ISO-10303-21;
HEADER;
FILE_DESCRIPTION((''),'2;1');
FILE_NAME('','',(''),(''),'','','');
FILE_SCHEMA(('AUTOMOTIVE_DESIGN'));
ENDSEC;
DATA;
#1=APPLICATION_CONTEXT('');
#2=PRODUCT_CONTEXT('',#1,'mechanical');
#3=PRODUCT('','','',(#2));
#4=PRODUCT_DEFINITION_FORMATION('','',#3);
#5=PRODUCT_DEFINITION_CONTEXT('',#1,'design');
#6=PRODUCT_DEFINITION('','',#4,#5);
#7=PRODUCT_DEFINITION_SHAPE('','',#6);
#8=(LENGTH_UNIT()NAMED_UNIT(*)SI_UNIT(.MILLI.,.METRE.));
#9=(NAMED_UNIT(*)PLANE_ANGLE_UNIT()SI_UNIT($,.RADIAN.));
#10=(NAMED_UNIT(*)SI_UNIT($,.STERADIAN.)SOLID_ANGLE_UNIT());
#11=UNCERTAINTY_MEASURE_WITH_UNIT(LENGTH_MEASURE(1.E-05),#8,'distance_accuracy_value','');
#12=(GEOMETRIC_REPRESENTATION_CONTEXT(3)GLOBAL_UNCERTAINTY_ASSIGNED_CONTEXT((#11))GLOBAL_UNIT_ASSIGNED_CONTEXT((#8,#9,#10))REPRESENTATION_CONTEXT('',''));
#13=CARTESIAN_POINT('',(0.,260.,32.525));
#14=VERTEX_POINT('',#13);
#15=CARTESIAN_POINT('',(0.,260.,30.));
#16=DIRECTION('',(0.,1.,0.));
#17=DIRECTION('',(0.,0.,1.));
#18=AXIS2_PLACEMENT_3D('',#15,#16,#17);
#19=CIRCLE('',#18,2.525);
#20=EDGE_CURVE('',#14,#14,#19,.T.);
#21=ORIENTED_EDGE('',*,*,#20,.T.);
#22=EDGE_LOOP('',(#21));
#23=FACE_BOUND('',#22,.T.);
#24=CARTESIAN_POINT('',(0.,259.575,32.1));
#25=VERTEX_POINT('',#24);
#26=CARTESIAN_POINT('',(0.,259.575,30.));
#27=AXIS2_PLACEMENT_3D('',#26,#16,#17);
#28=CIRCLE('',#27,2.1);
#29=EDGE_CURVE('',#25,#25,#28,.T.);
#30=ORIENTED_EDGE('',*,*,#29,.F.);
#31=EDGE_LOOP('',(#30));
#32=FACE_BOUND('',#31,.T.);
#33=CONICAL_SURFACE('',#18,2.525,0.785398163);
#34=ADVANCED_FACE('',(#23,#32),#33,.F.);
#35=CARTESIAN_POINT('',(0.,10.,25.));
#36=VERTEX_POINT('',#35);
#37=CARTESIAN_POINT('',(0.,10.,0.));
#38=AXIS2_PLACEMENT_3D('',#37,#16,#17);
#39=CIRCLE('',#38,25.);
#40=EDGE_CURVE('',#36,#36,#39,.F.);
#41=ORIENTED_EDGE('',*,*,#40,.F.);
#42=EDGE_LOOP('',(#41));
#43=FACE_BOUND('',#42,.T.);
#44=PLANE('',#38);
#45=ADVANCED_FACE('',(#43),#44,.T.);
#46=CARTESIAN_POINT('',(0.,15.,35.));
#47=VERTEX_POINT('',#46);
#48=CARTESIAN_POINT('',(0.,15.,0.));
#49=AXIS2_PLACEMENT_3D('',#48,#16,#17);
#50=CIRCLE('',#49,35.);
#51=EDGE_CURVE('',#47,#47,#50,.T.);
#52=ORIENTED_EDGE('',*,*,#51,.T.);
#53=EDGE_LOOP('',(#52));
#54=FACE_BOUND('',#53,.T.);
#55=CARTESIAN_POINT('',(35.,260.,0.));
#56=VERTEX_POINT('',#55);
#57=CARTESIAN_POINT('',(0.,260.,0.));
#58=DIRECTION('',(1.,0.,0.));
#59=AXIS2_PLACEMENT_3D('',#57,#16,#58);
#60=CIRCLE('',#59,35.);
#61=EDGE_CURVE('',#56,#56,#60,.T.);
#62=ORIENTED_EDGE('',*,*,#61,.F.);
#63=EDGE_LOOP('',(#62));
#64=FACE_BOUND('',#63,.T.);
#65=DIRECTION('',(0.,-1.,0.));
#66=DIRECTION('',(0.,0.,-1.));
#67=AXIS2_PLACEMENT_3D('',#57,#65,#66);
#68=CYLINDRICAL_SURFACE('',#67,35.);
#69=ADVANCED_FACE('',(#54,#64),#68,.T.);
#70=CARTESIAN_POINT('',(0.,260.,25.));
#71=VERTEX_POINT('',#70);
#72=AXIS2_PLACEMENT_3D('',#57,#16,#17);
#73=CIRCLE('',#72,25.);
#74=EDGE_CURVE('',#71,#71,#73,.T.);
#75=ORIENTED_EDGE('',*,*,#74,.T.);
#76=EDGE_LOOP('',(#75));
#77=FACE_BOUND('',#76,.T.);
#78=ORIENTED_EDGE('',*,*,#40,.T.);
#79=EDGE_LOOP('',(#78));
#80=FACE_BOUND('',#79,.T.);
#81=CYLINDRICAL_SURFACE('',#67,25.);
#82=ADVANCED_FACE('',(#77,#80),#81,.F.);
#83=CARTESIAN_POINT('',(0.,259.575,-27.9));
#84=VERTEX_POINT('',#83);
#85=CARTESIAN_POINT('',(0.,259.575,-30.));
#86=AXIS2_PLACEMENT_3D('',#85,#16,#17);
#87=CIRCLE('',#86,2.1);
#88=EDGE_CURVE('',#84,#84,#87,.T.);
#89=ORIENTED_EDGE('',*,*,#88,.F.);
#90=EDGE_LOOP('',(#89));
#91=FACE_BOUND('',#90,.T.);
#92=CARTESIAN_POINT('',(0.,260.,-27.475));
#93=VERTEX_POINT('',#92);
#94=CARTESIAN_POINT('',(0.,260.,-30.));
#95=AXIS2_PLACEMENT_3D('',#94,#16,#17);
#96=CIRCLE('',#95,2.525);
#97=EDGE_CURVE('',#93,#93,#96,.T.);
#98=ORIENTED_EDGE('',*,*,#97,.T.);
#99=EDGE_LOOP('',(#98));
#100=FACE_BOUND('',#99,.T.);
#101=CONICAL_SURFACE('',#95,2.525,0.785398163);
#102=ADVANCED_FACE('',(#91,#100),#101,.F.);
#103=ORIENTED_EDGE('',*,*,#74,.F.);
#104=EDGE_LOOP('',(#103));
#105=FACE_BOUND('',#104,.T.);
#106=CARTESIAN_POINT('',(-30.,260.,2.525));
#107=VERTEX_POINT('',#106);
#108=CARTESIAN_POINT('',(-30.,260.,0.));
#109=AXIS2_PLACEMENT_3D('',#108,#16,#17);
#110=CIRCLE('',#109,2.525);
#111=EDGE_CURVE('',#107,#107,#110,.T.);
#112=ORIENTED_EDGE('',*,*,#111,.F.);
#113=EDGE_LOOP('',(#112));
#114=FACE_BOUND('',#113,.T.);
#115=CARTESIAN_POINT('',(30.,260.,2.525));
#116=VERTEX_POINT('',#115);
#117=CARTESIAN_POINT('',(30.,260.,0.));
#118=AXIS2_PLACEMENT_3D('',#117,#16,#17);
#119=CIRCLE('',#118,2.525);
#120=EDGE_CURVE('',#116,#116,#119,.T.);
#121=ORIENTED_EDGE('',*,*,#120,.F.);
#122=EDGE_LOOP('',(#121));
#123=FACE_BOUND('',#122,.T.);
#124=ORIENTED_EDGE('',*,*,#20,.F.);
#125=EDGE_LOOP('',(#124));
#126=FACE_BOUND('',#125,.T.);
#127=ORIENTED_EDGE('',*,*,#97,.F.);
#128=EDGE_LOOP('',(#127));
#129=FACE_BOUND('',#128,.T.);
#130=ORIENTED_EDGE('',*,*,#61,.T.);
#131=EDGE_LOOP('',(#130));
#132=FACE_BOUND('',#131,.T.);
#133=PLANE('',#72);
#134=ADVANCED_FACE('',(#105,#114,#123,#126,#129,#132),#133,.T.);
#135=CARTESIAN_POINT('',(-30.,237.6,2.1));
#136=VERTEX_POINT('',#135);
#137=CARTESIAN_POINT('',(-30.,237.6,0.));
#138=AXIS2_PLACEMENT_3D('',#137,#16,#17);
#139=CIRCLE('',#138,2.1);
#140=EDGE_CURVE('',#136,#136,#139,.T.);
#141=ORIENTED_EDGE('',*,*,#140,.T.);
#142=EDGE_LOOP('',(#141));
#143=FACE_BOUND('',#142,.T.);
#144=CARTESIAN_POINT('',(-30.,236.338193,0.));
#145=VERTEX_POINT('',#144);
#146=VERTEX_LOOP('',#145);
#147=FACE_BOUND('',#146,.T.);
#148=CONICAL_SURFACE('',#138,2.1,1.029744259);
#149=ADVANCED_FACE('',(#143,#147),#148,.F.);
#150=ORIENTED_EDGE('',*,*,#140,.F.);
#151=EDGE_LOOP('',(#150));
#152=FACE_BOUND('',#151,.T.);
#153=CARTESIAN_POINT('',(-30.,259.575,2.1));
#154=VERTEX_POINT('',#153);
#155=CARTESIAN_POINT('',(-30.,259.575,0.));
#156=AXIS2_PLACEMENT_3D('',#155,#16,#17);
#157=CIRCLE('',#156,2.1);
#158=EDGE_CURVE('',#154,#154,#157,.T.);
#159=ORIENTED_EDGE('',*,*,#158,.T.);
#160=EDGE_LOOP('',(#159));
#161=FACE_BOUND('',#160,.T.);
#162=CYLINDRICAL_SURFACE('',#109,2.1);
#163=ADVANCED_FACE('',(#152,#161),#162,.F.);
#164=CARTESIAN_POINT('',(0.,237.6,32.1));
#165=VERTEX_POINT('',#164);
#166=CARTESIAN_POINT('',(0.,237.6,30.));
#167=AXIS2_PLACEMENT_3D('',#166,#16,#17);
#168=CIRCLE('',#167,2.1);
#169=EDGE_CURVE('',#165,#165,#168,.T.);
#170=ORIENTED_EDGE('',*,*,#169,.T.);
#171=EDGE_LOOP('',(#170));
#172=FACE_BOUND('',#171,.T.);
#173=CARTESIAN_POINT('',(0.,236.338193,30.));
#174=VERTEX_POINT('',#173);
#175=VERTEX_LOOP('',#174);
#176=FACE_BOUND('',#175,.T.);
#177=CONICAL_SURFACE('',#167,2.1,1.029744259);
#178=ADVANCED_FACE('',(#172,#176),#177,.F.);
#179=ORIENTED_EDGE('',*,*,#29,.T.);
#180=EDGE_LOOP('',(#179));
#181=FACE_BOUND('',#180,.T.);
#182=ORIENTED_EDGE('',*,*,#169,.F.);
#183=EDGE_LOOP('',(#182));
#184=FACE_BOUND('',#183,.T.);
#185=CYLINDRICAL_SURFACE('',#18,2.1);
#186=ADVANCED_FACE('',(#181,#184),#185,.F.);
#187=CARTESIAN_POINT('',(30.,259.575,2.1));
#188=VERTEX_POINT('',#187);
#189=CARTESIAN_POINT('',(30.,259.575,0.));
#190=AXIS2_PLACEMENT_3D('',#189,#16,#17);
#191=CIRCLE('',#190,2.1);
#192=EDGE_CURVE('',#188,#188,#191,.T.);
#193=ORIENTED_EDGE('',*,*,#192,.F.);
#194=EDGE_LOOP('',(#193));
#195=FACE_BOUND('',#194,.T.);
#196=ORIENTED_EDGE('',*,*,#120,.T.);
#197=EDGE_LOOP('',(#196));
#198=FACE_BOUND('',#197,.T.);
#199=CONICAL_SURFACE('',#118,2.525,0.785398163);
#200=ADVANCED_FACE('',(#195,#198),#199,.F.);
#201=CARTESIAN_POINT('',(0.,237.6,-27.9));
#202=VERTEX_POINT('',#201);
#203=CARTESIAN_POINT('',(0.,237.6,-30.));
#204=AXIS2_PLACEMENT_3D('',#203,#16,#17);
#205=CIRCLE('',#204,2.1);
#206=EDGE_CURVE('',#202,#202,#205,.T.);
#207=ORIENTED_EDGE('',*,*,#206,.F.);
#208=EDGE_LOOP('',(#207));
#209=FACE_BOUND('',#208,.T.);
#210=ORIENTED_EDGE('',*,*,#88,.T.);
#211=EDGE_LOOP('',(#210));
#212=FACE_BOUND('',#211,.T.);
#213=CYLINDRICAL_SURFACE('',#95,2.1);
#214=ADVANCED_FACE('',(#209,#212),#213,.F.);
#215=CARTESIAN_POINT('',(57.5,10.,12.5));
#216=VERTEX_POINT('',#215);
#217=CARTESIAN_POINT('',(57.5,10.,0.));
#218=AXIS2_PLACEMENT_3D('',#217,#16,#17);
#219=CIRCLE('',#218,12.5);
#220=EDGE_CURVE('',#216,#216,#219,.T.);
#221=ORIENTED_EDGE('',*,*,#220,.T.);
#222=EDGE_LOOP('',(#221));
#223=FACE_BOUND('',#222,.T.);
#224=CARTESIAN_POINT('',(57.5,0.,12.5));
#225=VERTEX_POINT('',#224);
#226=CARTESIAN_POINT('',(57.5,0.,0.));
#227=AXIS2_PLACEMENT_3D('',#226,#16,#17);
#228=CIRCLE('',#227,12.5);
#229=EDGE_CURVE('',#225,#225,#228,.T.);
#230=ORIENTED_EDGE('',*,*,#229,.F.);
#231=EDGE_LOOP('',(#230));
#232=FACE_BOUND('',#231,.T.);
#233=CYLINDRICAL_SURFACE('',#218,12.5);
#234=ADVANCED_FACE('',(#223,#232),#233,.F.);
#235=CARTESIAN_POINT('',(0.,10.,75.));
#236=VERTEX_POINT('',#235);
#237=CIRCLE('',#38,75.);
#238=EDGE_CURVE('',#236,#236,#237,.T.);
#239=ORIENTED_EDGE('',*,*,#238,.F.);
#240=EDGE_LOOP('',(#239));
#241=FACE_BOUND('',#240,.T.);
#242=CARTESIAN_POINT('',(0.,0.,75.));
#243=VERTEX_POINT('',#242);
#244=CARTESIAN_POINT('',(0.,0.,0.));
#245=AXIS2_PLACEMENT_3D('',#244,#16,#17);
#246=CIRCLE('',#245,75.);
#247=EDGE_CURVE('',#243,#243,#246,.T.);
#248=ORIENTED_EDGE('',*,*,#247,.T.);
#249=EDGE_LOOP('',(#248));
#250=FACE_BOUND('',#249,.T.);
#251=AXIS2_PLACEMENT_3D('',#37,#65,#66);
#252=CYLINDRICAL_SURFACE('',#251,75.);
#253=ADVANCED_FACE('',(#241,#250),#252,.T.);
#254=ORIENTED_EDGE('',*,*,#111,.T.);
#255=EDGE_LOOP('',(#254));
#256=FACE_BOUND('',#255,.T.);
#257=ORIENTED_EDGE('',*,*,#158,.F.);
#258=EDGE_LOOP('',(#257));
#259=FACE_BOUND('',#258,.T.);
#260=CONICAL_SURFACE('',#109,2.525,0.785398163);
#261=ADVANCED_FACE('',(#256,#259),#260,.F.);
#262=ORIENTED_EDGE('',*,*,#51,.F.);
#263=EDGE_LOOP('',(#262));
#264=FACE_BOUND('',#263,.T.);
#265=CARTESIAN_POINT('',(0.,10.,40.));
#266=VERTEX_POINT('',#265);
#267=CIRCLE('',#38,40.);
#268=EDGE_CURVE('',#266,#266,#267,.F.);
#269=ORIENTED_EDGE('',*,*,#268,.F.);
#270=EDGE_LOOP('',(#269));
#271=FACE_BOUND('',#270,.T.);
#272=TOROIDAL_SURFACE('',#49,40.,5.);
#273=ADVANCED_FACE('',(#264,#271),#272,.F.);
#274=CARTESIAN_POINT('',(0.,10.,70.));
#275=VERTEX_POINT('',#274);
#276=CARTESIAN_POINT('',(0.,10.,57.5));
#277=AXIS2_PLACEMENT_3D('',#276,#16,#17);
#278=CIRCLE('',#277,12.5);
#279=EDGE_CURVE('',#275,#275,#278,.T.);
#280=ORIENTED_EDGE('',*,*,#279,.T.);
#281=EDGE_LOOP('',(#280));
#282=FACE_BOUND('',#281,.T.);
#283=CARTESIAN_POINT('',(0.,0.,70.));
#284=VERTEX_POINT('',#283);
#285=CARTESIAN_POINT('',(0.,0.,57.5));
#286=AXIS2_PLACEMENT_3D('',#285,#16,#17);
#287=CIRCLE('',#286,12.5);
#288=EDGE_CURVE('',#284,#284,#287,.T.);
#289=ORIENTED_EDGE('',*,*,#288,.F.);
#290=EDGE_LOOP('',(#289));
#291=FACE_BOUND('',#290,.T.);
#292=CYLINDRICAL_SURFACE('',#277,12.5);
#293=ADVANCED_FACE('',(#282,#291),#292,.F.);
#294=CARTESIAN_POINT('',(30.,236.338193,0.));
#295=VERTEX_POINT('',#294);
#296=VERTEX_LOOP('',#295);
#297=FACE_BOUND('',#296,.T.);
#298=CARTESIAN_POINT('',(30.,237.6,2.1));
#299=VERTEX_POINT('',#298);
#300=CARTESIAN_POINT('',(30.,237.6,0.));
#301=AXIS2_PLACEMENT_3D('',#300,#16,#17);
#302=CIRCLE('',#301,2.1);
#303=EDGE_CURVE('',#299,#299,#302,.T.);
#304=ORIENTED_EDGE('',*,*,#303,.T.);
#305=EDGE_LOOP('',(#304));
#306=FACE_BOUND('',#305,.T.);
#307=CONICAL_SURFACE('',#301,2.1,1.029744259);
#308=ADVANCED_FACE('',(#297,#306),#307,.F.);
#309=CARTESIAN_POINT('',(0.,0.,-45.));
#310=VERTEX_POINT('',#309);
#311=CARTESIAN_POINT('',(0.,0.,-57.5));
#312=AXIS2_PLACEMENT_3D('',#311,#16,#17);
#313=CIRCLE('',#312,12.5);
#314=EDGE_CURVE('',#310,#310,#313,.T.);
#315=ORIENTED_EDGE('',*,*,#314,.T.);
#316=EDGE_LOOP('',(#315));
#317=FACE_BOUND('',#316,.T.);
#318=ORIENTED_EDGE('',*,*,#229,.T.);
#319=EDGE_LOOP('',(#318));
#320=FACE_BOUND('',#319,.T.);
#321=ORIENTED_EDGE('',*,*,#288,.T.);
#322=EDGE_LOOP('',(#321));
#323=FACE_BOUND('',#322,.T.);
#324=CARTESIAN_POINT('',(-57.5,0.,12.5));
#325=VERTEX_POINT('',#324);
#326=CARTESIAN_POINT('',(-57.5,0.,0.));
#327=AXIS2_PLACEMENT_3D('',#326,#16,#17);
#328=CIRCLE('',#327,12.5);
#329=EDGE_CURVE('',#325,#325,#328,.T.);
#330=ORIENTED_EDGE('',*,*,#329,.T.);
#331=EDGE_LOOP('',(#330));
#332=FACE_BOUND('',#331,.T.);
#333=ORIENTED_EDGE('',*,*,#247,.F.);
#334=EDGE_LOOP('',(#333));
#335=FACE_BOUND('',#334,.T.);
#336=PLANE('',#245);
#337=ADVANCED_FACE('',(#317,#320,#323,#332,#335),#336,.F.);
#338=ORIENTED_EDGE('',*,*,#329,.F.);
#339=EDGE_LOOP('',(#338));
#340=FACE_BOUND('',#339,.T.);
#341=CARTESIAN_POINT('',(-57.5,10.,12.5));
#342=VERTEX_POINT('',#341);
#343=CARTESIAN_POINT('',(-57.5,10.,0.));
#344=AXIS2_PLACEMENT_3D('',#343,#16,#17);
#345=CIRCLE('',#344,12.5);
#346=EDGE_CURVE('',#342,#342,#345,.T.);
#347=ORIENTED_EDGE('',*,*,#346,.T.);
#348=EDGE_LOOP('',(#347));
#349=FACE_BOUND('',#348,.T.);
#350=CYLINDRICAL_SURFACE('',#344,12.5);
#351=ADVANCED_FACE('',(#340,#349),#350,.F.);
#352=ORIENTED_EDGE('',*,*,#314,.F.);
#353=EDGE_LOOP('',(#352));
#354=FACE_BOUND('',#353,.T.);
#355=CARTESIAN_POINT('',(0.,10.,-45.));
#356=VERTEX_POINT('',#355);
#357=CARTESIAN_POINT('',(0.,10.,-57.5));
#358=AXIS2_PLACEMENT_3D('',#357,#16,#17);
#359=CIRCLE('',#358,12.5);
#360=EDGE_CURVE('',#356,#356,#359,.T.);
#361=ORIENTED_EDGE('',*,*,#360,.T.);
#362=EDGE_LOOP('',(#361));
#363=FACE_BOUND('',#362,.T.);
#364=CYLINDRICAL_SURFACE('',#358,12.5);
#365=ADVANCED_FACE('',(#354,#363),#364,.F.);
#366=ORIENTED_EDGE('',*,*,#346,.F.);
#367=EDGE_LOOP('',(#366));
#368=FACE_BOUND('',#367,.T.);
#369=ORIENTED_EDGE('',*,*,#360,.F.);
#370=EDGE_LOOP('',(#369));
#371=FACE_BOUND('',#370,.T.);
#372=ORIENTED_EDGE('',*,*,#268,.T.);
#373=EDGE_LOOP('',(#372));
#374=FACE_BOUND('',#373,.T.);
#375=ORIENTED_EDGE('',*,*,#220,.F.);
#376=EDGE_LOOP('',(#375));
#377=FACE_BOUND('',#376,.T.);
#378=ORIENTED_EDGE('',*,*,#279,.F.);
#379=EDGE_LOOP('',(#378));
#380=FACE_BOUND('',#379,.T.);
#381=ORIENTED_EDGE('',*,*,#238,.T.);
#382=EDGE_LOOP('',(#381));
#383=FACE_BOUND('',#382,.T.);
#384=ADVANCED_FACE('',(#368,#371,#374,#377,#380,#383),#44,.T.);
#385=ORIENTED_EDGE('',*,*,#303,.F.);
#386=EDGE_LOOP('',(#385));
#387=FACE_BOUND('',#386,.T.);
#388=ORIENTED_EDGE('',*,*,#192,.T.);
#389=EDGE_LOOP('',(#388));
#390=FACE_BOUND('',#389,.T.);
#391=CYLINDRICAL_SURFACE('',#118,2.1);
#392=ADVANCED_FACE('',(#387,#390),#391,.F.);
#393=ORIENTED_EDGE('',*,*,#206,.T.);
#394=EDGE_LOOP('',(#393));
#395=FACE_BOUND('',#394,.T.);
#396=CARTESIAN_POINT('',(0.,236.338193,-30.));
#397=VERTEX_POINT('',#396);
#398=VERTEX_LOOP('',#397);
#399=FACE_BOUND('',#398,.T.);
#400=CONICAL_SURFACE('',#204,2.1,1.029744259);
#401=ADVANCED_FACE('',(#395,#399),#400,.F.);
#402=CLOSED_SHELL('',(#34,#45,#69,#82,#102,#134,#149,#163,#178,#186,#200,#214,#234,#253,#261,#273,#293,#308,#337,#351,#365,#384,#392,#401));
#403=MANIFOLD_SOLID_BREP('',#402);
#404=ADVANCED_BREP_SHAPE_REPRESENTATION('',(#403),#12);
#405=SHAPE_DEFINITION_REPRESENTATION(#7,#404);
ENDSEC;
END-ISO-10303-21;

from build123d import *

# Parameters (mm, degrees)
SKETCH_1_R                   = 75
EXTRUDE_1_DEPTH              = 10
SKETCH_2_R                   = 35
SKETCH_2_R_2                 = 25
EXTRUDE_1_2_DEPTH            = 250
HOLE_WIZARD_1_D              = 25
HOLE_WIZARD_M5_1_D           = 4.2
HOLE_WIZARD_M5_1_DEPTH       = 22.4
HOLE_WIZARD_M5_1_CSINK_D     = 5.05
HOLE_WIZARD_M5_1_CSINK_ANGLE = 90
HOLE_WIZARD_M5_1_TIP         = 1.2618073
FILLET_1_R                   = 5


with BuildPart() as part:
    # 草图1 → Extrude 1 (new body)
    with BuildSketch(Plane(origin=(0, 0, 0), x_dir=(1, 0, 0), z_dir=(0, 1, 0))):
        with Locations(Location((0, 0, 0), (0, 0, 270))):
            Circle(SKETCH_1_R)
    extrude(amount=EXTRUDE_1_DEPTH)

    # 草图2 → Extrude 1 2 (add)
    with BuildSketch(Plane(origin=(0, 10, 0), x_dir=(1, 0, 0), z_dir=(0, 1, 0))):
        Circle(SKETCH_2_R)
        Circle(SKETCH_2_R_2, mode=Mode.SUBTRACT)
    extrude(amount=EXTRUDE_1_2_DEPTH)

    # 孔1 (through all)
    with Locations(Plane(origin=(0, 10, 0), x_dir=(1, 0, 0), z_dir=(0, 1, 0))):
        with Locations((0, 57.5), (57.5, 0), (0, -57.5), (-57.5, 0)):
            Hole(HOLE_WIZARD_1_D / 2)

    # M5 螺纹孔1
    with Locations(Plane(origin=(0, 260, 0), x_dir=(1, 0, 0), z_dir=(0, 1, 0))):
        with Locations((0, -30), (-30, 0), (0, 30), (30, 0)):
            CounterSinkHole(HOLE_WIZARD_M5_1_D / 2, HOLE_WIZARD_M5_1_CSINK_D / 2, depth=HOLE_WIZARD_M5_1_DEPTH, counter_sink_angle=HOLE_WIZARD_M5_1_CSINK_ANGLE)
            with Locations((0, 0, -(HOLE_WIZARD_M5_1_DEPTH + HOLE_WIZARD_M5_1_TIP / 2))):  # 118° drill point
                Cone(0, HOLE_WIZARD_M5_1_D / 2, HOLE_WIZARD_M5_1_TIP, mode=Mode.SUBTRACT)

    # 圆角1
    fillet_1_edges = [part.edges().sort_by_distance(p)[0] for p in [
        (-35, 10, 0),
    ]]
    fillet(fillet_1_edges, radius=FILLET_1_R)


solid = part.part
